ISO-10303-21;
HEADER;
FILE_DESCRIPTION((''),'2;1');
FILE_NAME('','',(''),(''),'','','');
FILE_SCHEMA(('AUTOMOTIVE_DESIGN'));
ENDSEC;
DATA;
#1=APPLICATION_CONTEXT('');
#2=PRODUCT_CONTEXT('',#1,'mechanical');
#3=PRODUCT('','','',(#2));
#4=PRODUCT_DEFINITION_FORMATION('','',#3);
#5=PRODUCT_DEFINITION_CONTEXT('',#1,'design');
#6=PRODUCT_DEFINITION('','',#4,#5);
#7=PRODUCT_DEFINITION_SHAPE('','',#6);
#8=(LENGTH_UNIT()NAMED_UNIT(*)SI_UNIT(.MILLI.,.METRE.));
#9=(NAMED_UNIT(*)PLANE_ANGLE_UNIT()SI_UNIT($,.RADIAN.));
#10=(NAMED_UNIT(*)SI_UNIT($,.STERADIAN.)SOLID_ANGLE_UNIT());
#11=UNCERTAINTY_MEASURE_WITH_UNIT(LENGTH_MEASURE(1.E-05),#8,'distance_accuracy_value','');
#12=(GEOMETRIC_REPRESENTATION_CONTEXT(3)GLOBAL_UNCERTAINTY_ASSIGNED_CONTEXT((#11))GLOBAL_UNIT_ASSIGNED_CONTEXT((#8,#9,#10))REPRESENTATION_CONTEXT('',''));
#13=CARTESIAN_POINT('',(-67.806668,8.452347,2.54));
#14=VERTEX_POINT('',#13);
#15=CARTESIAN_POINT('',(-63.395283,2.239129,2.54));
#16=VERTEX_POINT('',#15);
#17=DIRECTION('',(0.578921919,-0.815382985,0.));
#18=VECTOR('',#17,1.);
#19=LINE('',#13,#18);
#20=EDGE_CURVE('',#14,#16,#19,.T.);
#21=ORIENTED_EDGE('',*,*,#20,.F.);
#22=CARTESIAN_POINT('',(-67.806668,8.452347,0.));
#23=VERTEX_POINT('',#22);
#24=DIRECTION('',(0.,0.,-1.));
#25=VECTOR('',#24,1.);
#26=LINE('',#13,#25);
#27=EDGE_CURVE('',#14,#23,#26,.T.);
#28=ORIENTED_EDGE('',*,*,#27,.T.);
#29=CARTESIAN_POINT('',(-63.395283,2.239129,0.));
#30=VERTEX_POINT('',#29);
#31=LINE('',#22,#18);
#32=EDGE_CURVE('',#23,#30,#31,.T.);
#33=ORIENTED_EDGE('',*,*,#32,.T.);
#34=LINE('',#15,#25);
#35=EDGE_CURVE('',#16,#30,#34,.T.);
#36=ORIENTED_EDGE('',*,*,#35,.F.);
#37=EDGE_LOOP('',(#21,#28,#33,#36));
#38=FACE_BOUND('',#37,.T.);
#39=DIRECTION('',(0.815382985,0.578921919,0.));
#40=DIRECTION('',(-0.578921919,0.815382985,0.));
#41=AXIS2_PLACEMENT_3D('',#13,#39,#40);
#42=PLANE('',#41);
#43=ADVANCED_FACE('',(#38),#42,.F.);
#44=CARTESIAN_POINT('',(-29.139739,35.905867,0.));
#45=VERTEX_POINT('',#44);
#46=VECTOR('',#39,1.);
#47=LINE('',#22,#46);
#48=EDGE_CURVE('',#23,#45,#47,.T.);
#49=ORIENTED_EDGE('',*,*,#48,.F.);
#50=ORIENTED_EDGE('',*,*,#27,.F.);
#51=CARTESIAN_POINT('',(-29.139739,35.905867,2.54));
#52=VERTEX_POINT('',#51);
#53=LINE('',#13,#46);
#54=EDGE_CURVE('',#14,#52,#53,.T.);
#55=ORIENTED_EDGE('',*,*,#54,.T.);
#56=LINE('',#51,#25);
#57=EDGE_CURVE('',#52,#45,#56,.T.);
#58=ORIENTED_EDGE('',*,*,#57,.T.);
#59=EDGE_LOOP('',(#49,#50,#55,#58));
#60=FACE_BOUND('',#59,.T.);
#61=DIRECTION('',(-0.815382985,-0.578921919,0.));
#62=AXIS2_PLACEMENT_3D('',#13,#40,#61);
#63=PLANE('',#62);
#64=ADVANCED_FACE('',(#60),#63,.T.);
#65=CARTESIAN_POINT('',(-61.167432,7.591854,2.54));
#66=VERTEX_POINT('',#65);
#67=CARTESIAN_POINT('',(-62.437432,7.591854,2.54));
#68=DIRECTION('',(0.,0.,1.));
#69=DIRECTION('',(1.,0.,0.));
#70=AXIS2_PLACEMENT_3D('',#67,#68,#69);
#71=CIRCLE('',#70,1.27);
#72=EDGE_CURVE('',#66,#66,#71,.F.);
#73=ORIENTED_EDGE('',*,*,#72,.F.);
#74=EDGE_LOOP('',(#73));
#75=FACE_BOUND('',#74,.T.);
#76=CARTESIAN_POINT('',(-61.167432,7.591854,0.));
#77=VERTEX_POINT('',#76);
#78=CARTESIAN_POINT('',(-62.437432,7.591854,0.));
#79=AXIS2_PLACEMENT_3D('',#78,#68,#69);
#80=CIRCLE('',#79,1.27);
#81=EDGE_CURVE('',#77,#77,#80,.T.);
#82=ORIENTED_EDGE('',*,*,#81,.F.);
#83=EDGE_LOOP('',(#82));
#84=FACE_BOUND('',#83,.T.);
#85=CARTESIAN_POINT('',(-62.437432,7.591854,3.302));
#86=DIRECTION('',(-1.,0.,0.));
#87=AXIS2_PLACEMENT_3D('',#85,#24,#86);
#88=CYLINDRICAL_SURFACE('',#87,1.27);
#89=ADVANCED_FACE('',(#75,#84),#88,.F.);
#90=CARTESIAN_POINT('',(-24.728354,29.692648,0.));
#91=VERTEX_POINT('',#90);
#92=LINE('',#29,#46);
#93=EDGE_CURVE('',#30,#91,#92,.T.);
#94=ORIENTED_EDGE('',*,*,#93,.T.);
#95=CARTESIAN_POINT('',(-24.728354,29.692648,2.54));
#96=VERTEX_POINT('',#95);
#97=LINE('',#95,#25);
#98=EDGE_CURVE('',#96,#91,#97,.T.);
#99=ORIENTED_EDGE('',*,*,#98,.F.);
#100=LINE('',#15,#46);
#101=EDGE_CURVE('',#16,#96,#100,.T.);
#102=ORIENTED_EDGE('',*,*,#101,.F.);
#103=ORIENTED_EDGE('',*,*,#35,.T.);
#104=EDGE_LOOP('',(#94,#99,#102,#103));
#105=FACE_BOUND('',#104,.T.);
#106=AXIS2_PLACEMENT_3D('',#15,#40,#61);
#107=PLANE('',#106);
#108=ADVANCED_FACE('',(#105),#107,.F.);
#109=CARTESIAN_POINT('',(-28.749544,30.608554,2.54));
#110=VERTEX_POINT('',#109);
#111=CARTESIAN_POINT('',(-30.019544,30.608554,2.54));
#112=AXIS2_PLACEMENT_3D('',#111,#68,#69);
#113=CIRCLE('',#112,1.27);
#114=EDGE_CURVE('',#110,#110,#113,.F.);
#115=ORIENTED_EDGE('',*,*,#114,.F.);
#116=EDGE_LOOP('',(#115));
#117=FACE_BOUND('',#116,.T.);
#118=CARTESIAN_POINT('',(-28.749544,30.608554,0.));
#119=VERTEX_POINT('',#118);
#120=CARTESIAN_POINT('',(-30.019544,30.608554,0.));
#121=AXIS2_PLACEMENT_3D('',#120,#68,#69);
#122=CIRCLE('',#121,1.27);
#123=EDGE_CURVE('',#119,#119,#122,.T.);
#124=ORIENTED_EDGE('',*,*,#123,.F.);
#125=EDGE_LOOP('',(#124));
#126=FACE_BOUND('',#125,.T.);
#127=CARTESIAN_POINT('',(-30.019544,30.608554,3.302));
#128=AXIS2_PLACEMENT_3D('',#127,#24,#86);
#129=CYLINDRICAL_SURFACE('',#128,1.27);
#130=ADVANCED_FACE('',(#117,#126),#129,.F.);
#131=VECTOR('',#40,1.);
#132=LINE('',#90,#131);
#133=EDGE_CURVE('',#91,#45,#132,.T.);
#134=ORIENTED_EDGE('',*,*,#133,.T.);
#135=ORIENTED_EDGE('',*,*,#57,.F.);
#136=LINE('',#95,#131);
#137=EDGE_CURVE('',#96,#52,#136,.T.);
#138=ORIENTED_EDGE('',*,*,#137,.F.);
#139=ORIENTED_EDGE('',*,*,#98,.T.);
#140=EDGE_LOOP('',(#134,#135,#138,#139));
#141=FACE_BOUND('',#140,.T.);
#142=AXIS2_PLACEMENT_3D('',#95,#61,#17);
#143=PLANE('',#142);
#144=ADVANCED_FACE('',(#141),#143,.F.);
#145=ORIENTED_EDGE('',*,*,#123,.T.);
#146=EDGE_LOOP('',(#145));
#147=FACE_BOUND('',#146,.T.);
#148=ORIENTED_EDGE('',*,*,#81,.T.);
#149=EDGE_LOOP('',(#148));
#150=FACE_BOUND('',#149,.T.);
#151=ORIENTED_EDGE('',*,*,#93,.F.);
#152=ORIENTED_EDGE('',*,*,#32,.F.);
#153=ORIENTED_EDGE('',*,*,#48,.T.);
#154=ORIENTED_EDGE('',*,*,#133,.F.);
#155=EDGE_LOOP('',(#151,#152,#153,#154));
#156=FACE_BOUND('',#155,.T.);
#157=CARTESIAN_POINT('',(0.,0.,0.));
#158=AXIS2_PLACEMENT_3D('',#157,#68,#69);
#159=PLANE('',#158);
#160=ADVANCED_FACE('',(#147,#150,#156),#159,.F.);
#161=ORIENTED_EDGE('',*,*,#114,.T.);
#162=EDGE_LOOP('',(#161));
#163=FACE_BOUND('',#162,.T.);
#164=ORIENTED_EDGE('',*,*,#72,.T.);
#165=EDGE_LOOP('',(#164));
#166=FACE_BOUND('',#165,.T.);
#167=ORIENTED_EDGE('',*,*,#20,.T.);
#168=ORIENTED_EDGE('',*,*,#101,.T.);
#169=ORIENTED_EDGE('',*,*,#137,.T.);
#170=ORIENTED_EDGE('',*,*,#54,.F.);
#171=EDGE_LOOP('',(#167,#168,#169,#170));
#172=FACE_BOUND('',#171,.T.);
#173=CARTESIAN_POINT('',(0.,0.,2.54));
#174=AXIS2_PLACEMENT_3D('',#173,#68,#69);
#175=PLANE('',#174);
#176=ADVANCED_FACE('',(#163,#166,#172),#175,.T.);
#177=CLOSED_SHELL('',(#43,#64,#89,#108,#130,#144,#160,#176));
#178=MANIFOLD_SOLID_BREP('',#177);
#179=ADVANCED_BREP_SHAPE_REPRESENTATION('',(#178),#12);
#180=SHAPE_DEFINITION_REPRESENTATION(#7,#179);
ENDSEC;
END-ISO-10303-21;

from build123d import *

# Parameters (mm, degrees)
BOSS_EXTRUDE1_DEPTH = 2.54
SKETCH1_4_R         = 1.27
CUT_EXTRUDE1_DEPTH  = 3.302


with BuildPart() as part:
    # Sketch1 → Boss-Extrude1 (new body)
    with BuildSketch(Plane.XY):
        Polygon((-67.806668191, 8.452347061), (-29.139739371, 35.905866523), (-24.728354348, 29.69264818), (-63.395283168, 2.239128718), align=None)
    extrude(amount=BOSS_EXTRUDE1_DEPTH)

    # Sketch1<4> → Cut-Extrude1 (cut)
    with BuildSketch(Plane.XY):
        with Locations((-62.437432462, 7.591853574)):
            Circle(SKETCH1_4_R)
        with Locations((-30.019544177, 30.608554257)):
            Circle(SKETCH1_4_R)
    extrude(amount=CUT_EXTRUDE1_DEPTH, mode=Mode.SUBTRACT)


solid = part.part
